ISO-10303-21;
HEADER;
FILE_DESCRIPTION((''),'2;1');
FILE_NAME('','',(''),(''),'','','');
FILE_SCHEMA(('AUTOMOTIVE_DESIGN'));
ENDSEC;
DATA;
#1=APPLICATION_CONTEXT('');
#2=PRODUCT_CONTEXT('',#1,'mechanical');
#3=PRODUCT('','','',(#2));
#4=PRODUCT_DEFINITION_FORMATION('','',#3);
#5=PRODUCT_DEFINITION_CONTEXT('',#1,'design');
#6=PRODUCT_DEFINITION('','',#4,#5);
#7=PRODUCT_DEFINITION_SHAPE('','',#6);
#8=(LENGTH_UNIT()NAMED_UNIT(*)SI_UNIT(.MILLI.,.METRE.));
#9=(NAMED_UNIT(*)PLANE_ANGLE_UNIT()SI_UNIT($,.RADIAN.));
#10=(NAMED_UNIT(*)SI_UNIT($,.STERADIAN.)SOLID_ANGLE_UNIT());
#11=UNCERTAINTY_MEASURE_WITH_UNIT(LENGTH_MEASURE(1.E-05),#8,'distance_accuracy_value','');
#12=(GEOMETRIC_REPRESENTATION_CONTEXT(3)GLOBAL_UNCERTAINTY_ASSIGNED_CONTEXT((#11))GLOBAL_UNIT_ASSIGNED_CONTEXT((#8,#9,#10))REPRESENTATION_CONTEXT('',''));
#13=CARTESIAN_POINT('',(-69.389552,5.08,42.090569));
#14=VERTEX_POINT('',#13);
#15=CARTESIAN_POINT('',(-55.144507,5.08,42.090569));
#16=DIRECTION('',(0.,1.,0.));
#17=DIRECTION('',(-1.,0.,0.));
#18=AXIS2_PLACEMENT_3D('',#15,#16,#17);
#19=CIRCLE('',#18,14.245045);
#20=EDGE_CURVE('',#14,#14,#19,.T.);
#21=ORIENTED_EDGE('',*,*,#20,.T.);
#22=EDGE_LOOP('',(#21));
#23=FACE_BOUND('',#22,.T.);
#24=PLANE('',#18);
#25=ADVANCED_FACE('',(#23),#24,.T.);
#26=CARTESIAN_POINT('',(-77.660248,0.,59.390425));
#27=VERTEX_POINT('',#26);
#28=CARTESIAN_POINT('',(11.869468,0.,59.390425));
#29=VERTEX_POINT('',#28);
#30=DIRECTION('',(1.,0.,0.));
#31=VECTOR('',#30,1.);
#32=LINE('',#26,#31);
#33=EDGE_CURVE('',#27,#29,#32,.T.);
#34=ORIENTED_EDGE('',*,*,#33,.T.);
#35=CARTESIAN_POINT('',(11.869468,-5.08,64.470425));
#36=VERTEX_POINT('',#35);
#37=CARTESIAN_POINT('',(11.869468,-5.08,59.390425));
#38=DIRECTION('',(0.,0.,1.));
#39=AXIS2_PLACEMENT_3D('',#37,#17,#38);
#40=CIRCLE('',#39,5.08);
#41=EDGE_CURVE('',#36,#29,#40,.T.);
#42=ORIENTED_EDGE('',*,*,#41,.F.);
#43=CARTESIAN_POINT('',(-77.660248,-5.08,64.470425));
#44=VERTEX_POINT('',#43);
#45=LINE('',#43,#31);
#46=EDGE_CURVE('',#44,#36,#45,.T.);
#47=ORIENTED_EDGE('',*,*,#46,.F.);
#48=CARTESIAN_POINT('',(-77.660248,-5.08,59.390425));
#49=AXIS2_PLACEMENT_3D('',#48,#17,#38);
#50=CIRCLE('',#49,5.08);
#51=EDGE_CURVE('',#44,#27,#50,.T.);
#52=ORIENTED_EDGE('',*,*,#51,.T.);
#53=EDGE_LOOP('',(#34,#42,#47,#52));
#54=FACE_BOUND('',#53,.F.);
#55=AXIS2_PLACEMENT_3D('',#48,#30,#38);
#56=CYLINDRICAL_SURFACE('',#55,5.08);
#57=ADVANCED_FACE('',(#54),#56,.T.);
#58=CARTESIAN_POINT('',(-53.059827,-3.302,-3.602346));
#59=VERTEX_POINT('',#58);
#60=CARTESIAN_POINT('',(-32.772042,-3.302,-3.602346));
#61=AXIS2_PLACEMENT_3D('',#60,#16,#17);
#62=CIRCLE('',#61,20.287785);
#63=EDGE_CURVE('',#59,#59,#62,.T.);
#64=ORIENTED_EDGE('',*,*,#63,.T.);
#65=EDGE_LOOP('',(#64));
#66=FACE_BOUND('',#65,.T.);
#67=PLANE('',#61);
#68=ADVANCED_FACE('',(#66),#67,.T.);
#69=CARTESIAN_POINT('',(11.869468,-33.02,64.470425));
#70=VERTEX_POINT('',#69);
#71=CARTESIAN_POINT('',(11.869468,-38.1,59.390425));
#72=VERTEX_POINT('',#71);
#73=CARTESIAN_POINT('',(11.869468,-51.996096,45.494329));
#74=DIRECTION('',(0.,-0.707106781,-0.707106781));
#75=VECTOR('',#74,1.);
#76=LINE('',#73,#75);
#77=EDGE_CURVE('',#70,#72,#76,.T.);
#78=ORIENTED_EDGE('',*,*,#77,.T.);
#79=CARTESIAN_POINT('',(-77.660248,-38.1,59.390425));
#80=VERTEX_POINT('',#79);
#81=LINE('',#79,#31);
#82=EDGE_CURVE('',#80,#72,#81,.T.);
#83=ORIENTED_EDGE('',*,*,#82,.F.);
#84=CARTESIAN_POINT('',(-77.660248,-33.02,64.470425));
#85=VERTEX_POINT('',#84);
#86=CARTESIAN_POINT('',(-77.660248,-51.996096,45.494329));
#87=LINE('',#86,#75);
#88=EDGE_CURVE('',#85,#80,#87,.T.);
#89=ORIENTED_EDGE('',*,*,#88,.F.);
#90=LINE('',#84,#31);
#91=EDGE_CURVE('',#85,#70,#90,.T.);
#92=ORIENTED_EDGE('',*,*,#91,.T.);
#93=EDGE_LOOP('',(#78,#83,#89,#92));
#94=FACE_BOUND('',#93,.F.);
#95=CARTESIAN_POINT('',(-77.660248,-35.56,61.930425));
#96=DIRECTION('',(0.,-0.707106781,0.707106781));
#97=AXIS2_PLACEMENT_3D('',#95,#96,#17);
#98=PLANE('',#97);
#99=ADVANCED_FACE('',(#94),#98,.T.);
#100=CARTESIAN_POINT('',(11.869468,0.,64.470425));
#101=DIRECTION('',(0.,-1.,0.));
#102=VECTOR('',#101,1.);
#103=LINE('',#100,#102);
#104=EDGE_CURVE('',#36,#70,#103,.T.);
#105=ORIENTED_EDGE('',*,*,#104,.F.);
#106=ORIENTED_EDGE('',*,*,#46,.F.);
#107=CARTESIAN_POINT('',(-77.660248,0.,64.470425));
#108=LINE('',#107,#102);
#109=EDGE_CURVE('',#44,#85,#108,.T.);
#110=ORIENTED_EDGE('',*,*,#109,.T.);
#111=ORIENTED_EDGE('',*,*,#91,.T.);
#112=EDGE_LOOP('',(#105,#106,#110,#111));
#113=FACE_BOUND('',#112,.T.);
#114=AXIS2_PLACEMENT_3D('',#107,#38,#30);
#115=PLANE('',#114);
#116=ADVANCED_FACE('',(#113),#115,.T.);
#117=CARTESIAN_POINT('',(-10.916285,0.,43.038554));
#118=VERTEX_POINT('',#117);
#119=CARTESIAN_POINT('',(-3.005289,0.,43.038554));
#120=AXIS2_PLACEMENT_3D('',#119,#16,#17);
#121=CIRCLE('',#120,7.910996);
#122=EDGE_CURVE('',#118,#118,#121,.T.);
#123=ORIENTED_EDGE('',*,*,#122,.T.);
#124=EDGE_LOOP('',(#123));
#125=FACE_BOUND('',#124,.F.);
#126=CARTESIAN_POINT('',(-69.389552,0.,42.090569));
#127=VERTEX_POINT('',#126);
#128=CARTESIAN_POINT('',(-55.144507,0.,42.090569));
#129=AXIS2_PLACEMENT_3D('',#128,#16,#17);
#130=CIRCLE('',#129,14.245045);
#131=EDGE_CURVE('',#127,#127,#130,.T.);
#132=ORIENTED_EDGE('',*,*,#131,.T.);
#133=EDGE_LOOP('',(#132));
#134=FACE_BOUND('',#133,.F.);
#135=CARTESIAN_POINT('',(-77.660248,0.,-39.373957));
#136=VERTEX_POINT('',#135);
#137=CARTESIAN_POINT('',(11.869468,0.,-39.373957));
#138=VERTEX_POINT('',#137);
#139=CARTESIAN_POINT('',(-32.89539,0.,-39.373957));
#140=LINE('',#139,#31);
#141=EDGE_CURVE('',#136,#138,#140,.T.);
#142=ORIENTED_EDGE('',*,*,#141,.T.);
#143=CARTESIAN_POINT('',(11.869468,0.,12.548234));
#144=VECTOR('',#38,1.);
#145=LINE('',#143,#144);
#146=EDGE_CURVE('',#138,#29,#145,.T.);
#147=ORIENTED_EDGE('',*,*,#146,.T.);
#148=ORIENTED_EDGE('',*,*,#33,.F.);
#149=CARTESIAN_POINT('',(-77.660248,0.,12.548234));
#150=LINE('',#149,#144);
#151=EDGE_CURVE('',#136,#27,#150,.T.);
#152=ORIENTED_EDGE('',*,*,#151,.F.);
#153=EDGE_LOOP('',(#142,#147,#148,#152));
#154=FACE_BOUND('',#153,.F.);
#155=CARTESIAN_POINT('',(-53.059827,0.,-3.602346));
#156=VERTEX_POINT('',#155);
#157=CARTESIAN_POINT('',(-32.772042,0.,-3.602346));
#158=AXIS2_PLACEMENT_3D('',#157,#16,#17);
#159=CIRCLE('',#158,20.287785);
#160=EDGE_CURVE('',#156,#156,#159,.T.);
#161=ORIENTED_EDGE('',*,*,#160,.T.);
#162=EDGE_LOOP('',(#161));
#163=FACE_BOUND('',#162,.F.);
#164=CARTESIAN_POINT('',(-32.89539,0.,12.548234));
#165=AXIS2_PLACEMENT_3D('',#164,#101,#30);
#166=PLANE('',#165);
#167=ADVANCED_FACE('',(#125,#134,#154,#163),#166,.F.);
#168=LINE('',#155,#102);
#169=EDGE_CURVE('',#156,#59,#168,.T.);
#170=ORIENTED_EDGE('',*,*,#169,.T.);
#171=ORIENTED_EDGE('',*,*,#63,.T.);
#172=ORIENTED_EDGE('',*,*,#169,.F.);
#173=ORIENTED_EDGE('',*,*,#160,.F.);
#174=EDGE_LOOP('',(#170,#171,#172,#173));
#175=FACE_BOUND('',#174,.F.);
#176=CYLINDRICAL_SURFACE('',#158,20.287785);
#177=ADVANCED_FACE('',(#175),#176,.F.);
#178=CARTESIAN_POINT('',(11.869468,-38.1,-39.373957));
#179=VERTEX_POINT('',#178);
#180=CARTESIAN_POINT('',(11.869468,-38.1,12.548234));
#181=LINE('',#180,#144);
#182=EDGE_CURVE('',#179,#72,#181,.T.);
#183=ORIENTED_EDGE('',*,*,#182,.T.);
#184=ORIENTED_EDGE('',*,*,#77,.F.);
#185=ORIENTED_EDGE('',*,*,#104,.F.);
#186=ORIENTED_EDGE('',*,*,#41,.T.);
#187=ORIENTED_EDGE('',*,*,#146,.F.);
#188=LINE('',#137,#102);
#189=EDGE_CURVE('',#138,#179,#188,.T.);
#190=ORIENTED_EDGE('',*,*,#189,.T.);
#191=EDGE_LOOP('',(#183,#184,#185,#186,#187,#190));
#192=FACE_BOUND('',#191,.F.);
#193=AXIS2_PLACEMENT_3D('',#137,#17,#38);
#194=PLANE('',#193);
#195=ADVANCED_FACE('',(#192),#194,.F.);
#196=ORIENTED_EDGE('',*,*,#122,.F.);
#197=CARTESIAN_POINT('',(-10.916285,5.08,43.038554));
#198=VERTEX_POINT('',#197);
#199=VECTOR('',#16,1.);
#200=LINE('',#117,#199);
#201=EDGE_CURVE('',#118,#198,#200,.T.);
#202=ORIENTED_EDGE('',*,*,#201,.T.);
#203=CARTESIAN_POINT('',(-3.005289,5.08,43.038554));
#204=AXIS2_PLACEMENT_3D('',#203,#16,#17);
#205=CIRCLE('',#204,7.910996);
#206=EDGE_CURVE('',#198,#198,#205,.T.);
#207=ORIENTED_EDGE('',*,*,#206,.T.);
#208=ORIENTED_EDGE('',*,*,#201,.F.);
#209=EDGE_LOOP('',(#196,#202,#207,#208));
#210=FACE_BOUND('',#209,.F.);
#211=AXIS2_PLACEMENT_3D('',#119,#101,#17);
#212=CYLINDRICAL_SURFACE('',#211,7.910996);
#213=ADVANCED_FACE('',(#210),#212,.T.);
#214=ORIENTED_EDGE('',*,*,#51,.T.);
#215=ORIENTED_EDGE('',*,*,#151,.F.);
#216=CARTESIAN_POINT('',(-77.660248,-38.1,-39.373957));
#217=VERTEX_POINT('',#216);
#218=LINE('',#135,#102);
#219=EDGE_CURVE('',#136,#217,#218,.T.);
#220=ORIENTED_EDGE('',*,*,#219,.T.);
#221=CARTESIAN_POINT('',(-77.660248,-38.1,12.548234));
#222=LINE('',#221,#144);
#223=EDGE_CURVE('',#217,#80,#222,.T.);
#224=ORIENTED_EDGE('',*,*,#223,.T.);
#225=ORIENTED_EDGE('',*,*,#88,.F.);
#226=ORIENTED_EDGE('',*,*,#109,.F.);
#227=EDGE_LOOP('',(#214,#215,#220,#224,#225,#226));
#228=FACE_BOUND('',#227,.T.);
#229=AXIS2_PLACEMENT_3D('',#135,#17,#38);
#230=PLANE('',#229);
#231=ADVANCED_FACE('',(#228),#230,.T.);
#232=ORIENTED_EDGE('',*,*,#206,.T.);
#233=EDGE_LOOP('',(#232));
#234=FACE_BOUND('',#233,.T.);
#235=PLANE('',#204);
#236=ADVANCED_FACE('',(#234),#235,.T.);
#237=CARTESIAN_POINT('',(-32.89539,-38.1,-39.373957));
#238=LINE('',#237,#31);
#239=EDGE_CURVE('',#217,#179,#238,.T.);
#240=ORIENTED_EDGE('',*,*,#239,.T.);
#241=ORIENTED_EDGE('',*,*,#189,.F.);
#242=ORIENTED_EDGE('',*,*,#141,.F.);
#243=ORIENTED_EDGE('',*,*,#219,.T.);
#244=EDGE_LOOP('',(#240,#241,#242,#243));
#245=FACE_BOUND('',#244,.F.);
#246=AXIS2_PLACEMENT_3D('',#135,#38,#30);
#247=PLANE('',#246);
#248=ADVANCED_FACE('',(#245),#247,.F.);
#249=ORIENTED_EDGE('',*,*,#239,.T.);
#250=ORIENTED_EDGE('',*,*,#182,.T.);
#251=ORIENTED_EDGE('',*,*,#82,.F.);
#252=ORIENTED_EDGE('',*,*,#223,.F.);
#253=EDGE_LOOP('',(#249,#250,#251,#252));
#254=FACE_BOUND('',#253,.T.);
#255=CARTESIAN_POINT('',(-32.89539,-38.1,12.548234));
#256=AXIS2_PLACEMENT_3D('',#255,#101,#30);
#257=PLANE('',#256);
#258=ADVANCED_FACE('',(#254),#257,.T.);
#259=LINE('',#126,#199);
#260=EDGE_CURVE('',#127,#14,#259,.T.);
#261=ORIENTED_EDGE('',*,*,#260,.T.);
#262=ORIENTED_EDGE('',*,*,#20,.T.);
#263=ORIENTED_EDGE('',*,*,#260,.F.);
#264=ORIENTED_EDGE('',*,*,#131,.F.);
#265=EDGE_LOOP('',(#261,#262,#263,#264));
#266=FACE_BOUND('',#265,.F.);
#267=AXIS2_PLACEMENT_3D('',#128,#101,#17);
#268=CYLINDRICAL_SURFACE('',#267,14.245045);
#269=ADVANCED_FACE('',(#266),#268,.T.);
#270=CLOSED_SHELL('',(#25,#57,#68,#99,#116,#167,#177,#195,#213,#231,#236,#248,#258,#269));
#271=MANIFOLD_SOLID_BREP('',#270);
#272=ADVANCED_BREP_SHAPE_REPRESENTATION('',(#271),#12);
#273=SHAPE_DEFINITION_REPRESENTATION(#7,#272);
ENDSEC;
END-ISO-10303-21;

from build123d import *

# Parameters (mm, degrees)
F0_W     = 89.529717
F0_H     = 103.844382
F1_DEPTH = 38.1
F2_SIZE  = 5.08
F3_R     = 5.08
F4_R     = 20.287785
F5_DEPTH = 3.302
F6_R     = 7.910996
F6_R_2   = 14.245045
F7_DEPTH = 5.08


with BuildPart() as f1:
    # F0 (on Front) → F1 (new body)
    with BuildSketch(Plane.XZ):
        with Locations((-32.89539, 12.548234)):
            Rectangle(F0_W, F0_H)
    extrude(amount=F1_DEPTH)

    # F2
    f2_edges = [f1.edges().sort_by_distance(p)[0] for p in [
        (-32.895389, -38.1, 64.470425),
    ]]
    chamfer(f2_edges, length=F2_SIZE)

    # F3
    f3_edges = [f1.edges().sort_by_distance(p)[0] for p in [
        (-32.895389, 0, 64.470425),
    ]]
    fillet(f3_edges, radius=F3_R)

    # F4 (on face) → F5 (cut)
    with BuildSketch(Plane(origin=(0, 0, 0), x_dir=(-1, 0, 0), z_dir=(0, 1, 0))):
        with Locations((32.772042, -3.602346)):
            Circle(F4_R)
    extrude(amount=-F5_DEPTH, mode=Mode.SUBTRACT)

    # F6 (on face) → F7 (join)
    with BuildSketch(Plane(origin=(0, 0, 0), x_dir=(-1, 0, 0), z_dir=(0, 1, 0))):
        with Locations((3.005289, 43.038554)):
            Circle(F6_R)
        with Locations((55.144507, 42.090569)):
            Circle(F6_R_2)
    extrude(amount=F7_DEPTH)


solid = f1.part
